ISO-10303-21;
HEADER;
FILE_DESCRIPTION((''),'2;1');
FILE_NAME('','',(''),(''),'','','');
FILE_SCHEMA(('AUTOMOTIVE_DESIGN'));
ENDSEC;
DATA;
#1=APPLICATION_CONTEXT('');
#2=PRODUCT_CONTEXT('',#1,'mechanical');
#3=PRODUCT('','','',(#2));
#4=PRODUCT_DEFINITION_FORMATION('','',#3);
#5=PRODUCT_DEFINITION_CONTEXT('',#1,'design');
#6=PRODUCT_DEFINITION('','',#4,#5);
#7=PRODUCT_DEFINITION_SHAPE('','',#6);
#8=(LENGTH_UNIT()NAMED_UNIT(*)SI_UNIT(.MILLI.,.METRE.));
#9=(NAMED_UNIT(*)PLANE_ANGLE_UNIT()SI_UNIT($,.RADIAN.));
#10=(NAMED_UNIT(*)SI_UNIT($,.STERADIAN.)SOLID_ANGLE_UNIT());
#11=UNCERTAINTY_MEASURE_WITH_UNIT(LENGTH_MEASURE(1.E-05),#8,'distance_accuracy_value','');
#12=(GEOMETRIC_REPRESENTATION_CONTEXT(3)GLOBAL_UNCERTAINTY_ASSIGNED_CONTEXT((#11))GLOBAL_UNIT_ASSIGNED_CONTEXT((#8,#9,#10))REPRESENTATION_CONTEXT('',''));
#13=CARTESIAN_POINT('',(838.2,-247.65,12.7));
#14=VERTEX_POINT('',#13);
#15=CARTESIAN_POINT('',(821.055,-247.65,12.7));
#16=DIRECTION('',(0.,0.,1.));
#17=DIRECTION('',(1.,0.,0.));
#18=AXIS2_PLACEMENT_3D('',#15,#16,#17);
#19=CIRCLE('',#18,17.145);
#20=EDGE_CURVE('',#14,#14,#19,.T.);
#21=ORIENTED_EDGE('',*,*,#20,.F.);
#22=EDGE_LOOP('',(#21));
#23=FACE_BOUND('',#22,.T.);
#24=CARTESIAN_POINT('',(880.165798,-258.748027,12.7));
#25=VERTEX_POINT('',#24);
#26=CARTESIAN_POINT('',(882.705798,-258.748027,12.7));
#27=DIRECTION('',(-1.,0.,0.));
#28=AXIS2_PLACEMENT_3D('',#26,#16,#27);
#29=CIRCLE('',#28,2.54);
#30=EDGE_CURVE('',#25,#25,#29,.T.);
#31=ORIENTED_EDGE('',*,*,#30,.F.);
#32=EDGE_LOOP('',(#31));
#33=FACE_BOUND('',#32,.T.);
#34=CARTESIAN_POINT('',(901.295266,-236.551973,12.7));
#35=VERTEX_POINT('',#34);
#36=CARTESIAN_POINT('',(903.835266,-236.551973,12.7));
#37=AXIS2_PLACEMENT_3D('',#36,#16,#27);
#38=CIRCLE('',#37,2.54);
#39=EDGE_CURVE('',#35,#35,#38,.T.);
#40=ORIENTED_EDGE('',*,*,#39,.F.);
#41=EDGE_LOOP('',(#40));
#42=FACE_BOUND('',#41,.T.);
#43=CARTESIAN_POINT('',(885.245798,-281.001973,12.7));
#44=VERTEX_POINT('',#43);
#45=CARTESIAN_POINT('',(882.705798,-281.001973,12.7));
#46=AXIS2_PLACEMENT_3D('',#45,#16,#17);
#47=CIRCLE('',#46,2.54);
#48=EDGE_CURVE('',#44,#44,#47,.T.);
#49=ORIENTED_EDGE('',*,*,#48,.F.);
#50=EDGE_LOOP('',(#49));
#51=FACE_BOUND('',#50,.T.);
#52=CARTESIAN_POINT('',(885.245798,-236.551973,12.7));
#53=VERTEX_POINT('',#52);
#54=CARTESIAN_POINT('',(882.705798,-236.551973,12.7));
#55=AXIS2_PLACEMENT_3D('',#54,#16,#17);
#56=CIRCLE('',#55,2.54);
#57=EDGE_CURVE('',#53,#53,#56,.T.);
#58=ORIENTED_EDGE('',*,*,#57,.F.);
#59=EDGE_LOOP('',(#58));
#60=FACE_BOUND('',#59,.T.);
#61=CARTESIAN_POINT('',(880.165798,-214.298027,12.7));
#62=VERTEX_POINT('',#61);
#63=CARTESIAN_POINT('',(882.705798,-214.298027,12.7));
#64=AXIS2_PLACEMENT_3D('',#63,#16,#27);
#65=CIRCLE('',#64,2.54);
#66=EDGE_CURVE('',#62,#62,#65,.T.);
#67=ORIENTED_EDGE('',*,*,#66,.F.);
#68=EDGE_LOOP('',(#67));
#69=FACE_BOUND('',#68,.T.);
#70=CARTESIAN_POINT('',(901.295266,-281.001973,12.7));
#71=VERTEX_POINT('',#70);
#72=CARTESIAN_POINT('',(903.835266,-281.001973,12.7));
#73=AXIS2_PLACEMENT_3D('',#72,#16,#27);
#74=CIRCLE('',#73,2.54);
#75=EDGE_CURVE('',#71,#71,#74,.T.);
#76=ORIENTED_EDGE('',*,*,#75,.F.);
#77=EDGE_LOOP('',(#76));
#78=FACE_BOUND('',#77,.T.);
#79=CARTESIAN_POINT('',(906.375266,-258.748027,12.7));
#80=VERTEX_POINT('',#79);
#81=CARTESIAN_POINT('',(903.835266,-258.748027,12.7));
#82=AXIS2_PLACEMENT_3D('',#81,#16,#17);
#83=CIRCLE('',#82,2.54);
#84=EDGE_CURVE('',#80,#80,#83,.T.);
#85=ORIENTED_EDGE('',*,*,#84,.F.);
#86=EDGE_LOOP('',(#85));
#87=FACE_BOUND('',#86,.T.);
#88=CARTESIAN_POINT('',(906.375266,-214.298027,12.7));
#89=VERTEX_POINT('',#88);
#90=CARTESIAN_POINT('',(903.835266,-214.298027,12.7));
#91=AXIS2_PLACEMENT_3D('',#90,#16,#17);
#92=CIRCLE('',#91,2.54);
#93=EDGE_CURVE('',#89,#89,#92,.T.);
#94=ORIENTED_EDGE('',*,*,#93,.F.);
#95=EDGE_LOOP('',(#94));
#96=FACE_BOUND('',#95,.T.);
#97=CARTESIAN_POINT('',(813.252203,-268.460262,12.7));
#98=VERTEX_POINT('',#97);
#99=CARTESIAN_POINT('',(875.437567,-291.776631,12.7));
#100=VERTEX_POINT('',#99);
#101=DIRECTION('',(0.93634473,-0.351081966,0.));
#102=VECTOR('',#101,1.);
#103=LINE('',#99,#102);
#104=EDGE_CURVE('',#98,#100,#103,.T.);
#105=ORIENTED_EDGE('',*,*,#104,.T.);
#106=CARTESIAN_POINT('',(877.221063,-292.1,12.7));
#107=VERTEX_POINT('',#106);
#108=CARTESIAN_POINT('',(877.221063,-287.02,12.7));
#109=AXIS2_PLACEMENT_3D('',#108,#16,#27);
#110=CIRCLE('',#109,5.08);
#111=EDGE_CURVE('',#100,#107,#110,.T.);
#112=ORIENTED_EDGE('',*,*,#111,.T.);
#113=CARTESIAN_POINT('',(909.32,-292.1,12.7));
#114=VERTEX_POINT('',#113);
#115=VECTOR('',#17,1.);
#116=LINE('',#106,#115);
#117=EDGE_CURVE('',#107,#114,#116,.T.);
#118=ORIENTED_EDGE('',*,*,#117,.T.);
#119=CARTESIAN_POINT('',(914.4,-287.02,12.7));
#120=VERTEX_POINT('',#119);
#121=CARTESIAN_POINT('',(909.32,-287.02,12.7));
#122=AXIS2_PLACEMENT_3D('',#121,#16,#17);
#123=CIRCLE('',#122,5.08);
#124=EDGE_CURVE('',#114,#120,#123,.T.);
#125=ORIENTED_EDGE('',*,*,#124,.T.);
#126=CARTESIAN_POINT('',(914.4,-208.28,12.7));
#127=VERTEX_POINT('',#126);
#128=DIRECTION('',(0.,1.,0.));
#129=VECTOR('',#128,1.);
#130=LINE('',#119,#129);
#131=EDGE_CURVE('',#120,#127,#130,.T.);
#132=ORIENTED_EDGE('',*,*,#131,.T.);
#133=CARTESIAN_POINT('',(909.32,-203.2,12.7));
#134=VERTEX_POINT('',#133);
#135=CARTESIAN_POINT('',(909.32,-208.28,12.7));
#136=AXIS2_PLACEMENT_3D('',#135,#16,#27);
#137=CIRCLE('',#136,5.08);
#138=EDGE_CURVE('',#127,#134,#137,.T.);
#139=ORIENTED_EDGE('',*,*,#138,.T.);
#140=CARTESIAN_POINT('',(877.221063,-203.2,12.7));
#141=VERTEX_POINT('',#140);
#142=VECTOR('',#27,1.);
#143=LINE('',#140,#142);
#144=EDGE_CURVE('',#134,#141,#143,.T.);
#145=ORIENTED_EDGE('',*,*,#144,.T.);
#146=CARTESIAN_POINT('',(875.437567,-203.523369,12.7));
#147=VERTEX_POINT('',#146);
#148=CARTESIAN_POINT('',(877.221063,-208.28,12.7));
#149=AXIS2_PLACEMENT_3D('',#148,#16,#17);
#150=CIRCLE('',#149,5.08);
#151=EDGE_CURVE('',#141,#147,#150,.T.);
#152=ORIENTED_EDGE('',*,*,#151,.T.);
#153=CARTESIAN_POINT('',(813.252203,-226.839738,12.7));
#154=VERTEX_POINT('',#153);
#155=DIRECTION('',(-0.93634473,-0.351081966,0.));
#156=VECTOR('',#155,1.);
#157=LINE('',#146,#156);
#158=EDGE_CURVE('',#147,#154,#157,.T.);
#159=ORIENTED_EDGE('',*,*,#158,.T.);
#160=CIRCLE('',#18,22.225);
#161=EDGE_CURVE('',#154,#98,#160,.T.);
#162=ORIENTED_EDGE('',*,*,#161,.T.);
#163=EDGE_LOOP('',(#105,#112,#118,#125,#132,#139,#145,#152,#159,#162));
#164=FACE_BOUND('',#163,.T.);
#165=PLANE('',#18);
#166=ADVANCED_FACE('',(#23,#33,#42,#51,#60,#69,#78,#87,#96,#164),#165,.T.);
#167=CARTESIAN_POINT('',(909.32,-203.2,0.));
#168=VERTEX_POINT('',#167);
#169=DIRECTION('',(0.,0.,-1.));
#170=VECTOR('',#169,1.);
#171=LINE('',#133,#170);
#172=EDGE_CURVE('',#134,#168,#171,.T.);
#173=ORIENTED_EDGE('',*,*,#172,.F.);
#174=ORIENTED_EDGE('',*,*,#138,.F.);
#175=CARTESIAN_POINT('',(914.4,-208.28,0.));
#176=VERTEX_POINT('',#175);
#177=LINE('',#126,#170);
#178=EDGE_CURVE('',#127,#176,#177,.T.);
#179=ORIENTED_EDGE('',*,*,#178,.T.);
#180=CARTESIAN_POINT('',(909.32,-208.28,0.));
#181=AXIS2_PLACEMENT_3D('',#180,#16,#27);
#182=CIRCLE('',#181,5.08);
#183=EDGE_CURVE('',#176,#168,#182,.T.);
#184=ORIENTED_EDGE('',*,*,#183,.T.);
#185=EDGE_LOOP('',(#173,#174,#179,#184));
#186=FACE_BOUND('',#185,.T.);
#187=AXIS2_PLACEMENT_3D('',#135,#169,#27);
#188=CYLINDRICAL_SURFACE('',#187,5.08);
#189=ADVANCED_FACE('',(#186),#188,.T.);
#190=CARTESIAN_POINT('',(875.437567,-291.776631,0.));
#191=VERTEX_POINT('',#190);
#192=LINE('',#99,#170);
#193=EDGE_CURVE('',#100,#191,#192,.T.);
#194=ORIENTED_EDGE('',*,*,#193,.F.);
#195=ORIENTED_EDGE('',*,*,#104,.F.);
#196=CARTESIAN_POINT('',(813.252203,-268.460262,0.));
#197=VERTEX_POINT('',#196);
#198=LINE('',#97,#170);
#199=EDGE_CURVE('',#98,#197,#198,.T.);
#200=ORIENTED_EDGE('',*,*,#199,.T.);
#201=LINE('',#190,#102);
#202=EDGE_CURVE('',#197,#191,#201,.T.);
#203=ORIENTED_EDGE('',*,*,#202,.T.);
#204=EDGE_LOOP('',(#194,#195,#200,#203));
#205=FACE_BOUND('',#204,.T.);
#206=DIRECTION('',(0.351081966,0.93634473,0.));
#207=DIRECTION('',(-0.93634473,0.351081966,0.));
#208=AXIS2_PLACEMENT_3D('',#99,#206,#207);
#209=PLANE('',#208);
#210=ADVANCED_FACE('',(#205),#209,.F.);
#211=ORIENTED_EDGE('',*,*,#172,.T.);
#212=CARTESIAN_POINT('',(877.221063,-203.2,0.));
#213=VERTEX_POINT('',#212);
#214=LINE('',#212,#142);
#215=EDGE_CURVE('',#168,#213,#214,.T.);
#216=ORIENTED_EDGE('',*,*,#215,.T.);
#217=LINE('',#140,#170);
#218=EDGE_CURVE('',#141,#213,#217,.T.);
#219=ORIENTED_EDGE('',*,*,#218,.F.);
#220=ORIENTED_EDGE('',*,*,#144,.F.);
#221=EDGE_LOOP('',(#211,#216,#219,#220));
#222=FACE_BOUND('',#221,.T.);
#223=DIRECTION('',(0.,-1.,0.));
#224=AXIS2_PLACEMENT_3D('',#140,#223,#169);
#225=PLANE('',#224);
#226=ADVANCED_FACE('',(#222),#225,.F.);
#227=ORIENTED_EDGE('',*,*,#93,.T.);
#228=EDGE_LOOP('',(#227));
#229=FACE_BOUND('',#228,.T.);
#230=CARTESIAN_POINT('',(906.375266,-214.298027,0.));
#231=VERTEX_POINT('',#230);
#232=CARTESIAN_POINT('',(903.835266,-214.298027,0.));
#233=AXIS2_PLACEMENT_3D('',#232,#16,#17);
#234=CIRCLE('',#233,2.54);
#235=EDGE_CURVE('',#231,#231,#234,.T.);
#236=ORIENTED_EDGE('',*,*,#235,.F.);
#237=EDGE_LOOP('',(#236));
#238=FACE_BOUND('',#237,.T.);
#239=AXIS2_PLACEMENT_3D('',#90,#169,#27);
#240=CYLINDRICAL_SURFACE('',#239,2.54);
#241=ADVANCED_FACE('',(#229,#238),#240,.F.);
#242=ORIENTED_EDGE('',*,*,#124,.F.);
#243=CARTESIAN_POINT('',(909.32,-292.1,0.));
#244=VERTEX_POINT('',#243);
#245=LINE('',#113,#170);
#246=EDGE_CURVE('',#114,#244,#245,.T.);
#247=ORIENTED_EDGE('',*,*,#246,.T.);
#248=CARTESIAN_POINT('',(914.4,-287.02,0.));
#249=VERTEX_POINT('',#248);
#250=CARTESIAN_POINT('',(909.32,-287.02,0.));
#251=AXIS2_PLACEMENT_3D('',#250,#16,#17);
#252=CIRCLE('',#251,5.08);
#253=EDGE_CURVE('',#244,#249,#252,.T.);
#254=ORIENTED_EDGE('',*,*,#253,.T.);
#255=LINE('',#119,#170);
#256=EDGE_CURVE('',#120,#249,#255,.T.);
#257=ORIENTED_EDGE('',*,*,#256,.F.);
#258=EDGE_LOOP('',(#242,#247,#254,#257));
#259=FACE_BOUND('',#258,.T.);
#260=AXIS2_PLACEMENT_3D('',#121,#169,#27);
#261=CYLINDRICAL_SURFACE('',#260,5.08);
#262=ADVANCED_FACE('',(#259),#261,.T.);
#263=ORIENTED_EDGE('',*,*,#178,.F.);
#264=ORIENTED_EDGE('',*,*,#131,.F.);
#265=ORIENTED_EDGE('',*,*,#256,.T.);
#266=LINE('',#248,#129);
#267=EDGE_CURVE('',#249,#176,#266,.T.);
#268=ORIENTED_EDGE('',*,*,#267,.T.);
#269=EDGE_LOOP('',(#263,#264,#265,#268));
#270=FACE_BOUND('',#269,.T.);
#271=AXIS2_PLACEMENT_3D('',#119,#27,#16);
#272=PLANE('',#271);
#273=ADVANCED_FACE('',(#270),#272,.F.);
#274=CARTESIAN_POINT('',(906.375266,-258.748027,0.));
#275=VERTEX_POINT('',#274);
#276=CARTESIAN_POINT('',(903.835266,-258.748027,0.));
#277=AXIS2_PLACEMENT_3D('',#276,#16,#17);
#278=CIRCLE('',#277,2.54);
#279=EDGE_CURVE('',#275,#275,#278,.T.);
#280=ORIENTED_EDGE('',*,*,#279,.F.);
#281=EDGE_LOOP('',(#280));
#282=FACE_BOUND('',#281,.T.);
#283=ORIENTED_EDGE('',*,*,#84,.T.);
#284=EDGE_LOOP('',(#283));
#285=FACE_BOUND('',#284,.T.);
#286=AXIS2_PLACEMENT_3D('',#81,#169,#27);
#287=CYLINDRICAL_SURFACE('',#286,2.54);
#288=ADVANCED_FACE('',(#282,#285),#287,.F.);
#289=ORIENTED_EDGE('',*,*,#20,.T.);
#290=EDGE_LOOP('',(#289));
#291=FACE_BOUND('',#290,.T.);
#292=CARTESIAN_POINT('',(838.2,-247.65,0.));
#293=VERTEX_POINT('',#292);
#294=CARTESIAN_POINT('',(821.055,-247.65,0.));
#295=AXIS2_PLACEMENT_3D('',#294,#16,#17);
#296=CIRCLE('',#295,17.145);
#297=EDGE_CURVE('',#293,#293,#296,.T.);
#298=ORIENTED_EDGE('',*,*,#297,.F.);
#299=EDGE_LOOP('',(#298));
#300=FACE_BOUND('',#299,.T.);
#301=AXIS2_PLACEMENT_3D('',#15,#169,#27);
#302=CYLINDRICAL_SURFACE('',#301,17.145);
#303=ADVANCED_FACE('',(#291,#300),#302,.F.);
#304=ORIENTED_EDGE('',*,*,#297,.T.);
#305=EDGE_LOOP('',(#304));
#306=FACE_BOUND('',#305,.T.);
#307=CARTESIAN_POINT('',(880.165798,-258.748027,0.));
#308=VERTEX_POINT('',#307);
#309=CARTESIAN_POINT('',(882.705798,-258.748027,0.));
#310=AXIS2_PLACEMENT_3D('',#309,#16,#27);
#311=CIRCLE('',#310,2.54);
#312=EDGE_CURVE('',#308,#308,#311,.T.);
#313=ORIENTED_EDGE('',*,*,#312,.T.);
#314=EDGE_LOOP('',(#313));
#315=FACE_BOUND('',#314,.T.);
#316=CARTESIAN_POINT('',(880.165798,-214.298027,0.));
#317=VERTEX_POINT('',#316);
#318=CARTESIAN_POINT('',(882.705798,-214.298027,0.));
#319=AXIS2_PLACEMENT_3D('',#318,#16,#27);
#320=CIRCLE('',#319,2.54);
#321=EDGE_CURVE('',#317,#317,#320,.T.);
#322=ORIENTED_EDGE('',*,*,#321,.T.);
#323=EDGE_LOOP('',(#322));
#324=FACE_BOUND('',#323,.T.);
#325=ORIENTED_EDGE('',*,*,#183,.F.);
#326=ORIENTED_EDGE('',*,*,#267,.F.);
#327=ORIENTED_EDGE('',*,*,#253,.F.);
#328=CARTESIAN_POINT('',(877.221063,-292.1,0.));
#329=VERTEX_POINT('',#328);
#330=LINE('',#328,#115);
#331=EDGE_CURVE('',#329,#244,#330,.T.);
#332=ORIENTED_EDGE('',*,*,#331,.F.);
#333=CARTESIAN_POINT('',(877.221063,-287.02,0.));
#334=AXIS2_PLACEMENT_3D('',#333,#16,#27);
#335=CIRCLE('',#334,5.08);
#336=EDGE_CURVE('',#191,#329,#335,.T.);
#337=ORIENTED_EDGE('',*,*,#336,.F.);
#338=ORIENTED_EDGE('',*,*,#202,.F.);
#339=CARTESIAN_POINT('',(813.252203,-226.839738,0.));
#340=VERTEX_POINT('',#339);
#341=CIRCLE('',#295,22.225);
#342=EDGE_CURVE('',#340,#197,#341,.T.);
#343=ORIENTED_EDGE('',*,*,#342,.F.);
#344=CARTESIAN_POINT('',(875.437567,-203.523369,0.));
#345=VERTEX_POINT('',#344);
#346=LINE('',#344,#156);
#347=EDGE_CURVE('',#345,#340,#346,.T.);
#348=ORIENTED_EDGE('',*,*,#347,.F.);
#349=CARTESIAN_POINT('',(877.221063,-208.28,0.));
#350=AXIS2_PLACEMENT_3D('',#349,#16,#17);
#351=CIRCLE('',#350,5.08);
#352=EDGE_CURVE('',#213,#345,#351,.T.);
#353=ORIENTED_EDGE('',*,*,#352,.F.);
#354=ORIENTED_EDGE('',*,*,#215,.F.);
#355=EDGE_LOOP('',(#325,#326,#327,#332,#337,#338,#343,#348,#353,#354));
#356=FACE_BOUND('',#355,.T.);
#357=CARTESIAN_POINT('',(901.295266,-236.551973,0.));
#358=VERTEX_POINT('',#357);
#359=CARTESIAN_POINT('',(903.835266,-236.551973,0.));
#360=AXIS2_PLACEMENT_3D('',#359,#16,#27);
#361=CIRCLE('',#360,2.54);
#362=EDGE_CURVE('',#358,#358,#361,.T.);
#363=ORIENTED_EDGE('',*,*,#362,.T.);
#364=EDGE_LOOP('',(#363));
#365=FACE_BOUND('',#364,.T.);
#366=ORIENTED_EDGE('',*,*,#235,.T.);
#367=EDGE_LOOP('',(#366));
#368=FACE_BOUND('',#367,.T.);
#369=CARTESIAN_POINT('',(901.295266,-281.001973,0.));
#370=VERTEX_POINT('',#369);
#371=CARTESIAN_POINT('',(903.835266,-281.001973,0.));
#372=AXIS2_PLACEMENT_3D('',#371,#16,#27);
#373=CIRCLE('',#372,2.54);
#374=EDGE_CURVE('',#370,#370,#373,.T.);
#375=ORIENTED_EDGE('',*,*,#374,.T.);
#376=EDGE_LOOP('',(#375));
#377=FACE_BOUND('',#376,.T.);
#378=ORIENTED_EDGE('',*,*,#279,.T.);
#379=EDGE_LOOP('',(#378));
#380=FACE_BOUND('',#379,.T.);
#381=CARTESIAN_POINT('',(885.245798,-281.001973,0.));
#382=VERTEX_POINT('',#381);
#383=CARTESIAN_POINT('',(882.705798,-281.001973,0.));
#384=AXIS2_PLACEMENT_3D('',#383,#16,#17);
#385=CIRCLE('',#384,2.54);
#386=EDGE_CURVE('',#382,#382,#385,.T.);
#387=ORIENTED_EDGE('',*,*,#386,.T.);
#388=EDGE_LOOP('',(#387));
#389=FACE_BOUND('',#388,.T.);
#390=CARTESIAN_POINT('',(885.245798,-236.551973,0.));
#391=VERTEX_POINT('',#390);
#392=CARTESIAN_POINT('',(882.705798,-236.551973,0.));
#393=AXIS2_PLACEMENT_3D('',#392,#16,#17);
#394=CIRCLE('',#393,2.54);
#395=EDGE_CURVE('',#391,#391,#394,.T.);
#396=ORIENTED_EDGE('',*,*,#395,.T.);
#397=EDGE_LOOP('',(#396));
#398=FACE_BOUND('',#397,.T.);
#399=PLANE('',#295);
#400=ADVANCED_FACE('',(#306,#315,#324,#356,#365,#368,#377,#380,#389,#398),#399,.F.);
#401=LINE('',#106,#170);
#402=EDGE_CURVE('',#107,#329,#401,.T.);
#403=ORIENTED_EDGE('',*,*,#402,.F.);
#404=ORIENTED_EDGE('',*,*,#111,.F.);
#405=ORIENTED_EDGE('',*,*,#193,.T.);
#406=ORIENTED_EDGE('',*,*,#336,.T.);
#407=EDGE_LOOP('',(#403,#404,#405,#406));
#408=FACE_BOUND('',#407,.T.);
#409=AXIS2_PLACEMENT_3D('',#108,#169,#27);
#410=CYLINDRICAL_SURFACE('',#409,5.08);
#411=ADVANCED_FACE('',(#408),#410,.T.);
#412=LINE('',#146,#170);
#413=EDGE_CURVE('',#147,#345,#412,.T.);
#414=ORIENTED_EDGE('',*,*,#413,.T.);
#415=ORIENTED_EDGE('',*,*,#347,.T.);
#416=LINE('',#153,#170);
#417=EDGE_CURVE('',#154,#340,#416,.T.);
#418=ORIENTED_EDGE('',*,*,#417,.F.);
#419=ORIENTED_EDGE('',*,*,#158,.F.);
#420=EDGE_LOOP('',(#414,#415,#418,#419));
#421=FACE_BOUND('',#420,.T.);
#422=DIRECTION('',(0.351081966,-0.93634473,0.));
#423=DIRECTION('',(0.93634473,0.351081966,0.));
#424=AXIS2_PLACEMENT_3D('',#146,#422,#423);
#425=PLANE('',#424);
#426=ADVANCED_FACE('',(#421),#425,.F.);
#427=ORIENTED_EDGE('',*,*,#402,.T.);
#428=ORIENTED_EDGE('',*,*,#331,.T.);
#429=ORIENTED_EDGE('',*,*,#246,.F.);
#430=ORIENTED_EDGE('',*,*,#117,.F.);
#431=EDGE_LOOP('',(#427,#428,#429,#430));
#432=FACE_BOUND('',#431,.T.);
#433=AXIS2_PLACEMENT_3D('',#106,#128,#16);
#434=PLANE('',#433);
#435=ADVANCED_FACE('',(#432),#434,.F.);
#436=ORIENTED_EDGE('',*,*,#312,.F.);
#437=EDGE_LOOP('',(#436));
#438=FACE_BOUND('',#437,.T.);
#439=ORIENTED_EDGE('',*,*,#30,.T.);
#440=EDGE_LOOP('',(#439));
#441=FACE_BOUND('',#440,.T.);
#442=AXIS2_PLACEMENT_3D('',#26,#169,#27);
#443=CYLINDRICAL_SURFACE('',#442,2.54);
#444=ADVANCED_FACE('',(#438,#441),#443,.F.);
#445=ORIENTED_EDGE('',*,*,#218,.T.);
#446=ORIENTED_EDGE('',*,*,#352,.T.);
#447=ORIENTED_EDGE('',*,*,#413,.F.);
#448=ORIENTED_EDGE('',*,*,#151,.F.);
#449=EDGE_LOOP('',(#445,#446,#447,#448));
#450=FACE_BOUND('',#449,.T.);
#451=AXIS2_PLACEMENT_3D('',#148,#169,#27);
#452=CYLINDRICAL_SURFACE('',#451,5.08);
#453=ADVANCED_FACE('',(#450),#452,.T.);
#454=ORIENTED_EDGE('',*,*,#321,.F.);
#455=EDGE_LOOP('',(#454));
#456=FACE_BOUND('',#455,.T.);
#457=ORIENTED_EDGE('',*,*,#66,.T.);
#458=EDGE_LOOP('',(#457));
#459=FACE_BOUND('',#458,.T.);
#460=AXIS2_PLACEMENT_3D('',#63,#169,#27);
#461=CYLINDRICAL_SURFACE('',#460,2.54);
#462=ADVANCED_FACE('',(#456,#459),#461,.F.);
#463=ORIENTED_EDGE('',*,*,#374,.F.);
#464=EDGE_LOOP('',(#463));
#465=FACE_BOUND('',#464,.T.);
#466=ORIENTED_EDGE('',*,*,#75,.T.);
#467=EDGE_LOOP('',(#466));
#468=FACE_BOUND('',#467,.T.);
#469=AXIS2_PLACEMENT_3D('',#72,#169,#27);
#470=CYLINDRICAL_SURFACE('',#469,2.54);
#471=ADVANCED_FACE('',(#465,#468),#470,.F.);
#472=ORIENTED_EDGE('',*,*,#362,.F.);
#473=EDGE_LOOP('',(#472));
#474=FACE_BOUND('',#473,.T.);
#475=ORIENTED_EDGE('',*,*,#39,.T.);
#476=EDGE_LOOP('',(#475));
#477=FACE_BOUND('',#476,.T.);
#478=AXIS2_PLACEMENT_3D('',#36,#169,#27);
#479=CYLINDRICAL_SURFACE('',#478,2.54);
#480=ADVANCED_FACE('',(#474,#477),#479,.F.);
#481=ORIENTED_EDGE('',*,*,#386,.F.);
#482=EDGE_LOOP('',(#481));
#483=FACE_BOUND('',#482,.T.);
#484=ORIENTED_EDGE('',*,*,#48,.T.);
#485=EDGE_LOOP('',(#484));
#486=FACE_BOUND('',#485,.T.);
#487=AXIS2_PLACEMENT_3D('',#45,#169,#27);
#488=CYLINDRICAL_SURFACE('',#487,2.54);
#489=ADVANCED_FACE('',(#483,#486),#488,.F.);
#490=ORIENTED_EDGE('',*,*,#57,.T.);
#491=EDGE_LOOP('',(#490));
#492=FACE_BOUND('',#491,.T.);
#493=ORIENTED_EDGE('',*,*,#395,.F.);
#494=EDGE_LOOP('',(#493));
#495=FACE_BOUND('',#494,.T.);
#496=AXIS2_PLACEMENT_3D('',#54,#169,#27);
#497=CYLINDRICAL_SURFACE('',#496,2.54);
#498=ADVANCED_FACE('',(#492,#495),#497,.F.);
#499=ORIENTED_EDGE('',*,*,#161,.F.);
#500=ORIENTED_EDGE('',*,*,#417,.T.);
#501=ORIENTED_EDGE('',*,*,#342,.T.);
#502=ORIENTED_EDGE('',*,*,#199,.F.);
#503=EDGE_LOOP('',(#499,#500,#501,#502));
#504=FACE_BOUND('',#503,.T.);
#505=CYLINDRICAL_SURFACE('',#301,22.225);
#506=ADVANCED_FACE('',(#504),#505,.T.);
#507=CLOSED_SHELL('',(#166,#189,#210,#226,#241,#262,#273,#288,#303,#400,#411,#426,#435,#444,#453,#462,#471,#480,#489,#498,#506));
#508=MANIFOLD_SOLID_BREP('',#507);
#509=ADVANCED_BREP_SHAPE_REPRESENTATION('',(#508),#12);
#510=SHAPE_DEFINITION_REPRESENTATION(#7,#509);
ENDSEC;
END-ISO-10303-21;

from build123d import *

# Parameters (mm, degrees)
SKETCH1_R           = 17.145
SKETCH1_R_2         = 2.54
BOSS_EXTRUDE1_DEPTH = 12.7


with BuildPart() as part:
    # Sketch1 → Boss-Extrude1 (new body)
    with BuildSketch(Plane.XY):
        with BuildLine():
            Line((877.221063467, -292.1), (909.32, -292.1))
            ThreePointArc((909.32, -292.1), (912.912102448, -290.612102448), (914.4, -287.02))
            Line((914.4, -287.02), (914.4, -208.28))
            ThreePointArc((914.4, -208.28), (912.912102448, -204.687897552), (909.32, -203.2))
            Line((909.32, -203.2), (877.221063467, -203.2))
            ThreePointArc((877.221063467, -203.2), (876.314776159, -203.281495892), (875.437567077, -203.523368773))
            Line((875.437567077, -203.523368773), (813.252203296, -226.839738382))
            ThreePointArc((813.252203296, -226.839738382), (798.83, -247.65), (813.252203296, -268.460261618))
            Line((813.252203296, -268.460261618), (875.437567077, -291.776631227))
            ThreePointArc((875.437567077, -291.776631227), (876.314776159, -292.018504108), (877.221063467, -292.1))
        make_face()
        with Locations((821.055, -247.65)):
            Circle(SKETCH1_R, mode=Mode.SUBTRACT)
        with Locations((903.835265867, -214.298026916)):
            Circle(SKETCH1_R_2, mode=Mode.SUBTRACT)
        with Locations(Location((882.7057976, -214.298026916, 0), (0, 0, 180))):
            Circle(SKETCH1_R_2, mode=Mode.SUBTRACT)
        with Locations((882.7057976, -236.551973084)):
            Circle(SKETCH1_R_2, mode=Mode.SUBTRACT)
        with Locations(Location((903.835265867, -236.551973084, 0), (0, 0, 180))):
            Circle(SKETCH1_R_2, mode=Mode.SUBTRACT)
        with Locations(Location((882.7057976, -258.748026916, 0), (0, 0, 180))):
            Circle(SKETCH1_R_2, mode=Mode.SUBTRACT)
        with Locations((882.7057976, -281.001973084)):
            Circle(SKETCH1_R_2, mode=Mode.SUBTRACT)
        with Locations((903.835265867, -258.748026916)):
            Circle(SKETCH1_R_2, mode=Mode.SUBTRACT)
        with Locations(Location((903.835265867, -281.001973084, 0), (0, 0, 180))):
            Circle(SKETCH1_R_2, mode=Mode.SUBTRACT)
    extrude(amount=BOSS_EXTRUDE1_DEPTH)


solid = part.part
